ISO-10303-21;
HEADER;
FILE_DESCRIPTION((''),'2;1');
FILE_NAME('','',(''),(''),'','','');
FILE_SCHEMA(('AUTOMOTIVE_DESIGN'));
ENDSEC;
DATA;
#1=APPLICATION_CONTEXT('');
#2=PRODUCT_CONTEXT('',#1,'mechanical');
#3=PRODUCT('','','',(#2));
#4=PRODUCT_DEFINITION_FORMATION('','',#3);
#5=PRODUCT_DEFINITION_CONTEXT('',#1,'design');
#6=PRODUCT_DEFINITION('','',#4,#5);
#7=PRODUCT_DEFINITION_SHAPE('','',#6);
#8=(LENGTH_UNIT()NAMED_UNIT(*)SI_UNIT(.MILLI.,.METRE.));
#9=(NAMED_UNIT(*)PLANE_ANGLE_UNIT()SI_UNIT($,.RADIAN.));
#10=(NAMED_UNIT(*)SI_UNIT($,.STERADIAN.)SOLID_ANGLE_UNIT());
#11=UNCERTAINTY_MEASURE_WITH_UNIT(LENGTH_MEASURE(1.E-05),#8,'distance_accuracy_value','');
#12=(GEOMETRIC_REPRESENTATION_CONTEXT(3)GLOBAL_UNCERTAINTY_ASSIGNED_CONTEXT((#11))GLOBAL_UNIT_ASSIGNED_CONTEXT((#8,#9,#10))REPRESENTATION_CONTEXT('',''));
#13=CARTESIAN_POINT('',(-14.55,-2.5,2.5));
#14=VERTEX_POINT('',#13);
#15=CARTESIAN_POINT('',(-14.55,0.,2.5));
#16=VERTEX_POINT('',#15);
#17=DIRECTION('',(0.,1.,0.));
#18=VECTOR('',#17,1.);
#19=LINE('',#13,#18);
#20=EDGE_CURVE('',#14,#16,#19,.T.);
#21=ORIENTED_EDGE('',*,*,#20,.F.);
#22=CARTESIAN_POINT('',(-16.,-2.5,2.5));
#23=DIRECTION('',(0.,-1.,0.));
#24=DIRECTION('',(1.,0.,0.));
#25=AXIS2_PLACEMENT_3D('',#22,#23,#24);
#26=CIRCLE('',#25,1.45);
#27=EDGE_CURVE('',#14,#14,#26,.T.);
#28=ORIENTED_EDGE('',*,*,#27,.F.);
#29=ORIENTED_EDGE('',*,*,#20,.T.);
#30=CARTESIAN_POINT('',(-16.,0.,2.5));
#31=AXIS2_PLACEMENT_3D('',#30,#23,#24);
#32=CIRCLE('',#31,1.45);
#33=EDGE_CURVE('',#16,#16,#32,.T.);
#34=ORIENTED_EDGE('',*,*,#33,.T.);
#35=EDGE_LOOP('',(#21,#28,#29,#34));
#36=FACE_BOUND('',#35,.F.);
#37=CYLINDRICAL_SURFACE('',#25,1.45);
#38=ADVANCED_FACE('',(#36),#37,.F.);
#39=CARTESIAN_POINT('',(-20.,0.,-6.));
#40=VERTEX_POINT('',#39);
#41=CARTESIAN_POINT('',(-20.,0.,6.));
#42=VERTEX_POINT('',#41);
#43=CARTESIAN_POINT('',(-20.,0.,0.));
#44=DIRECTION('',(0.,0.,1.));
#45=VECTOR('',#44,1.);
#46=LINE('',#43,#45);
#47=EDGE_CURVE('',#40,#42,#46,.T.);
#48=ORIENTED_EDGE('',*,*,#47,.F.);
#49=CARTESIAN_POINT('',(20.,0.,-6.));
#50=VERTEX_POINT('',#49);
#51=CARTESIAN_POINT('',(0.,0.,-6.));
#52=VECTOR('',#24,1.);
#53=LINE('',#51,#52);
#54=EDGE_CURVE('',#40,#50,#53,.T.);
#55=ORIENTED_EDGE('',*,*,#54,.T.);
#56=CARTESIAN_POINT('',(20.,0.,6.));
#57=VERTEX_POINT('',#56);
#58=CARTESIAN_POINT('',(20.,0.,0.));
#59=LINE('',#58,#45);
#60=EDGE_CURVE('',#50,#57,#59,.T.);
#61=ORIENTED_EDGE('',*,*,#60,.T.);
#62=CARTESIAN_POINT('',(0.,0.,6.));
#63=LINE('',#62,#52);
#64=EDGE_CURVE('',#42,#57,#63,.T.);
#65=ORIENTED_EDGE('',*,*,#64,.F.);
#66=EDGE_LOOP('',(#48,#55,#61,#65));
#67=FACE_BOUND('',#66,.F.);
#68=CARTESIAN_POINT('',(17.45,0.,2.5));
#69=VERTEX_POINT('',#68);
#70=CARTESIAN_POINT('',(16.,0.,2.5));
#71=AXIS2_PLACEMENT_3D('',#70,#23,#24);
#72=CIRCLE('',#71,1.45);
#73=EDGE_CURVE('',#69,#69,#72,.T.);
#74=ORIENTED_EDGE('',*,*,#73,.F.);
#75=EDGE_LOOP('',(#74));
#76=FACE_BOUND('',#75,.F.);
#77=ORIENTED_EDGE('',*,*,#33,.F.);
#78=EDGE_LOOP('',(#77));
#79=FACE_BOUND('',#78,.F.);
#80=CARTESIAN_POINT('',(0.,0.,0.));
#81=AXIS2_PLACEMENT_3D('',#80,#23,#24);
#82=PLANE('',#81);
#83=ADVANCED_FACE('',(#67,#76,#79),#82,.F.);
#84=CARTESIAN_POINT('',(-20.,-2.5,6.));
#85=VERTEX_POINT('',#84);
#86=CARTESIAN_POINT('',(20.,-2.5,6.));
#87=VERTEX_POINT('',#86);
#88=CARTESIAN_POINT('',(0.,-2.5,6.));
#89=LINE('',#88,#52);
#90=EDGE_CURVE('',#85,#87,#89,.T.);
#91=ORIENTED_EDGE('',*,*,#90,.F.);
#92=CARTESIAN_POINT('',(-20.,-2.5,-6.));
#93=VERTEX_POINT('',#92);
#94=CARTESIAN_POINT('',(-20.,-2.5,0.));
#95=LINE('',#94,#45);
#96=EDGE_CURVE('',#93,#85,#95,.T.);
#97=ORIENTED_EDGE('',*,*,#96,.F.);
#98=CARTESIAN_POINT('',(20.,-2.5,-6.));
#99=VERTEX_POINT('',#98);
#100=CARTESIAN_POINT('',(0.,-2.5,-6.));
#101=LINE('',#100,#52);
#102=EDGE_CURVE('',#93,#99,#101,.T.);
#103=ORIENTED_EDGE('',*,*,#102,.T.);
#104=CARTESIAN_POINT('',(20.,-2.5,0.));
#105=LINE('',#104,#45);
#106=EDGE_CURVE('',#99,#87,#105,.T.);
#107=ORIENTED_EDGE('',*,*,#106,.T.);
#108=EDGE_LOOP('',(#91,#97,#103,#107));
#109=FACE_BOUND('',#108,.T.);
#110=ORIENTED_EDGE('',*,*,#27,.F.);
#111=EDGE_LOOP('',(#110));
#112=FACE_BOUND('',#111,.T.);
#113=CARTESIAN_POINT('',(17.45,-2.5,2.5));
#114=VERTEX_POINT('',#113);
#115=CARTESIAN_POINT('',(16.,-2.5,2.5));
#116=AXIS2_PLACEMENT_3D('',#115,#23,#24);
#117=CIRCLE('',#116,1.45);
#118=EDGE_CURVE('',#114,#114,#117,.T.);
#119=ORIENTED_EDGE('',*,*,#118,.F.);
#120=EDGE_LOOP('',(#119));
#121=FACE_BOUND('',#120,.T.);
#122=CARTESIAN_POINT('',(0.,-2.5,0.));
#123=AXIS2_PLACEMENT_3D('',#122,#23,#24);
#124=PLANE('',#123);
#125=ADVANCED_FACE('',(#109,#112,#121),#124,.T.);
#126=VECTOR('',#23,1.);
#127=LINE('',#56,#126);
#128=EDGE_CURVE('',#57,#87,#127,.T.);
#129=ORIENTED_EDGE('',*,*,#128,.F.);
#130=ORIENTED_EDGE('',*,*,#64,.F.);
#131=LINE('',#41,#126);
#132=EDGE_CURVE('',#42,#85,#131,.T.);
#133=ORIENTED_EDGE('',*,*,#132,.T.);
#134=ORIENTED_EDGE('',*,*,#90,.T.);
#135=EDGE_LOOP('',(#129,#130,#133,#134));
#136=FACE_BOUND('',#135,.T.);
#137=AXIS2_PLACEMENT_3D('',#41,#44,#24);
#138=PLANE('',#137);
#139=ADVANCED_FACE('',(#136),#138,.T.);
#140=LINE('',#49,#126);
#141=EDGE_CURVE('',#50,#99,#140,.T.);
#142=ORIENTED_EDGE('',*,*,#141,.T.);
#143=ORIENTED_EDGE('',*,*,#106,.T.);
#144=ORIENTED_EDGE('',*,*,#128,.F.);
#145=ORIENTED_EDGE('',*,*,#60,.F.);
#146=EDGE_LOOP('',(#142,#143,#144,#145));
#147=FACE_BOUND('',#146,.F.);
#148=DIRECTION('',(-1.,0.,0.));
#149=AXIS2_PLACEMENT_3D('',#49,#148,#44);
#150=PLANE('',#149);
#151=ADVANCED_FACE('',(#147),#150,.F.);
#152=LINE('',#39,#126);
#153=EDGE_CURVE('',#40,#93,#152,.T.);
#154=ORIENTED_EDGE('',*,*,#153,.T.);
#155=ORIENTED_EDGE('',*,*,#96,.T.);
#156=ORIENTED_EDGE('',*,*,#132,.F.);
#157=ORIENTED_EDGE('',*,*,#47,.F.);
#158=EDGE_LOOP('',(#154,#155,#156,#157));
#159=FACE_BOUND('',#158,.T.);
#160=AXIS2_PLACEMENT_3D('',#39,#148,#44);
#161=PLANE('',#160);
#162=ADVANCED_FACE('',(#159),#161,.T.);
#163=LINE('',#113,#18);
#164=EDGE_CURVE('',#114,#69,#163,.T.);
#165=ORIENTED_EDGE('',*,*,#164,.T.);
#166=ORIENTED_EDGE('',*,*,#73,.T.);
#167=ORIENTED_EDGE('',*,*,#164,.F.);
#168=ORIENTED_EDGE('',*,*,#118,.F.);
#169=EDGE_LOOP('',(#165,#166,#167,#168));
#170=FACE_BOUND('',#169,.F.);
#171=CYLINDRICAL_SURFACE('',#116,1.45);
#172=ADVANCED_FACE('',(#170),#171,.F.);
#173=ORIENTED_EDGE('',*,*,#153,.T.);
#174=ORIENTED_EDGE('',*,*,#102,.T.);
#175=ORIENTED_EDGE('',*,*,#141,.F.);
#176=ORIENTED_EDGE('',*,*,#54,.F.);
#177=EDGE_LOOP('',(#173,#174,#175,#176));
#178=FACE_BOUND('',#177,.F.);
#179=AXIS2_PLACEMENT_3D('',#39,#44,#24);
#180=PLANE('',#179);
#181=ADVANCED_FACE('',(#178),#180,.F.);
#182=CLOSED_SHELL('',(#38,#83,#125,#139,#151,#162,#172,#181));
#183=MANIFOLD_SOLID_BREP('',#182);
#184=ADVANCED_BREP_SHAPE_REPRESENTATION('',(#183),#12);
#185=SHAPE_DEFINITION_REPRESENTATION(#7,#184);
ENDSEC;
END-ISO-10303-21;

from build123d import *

# Parameters (mm, degrees)
F0_W     = 40
F0_H     = 12
F1_DEPTH = 2.5
F2_R     = 1.45
F3_DEPTH = 2.5


with BuildPart() as f1:
    # F0 (on Front) → F1 (new body)
    with BuildSketch(Plane.XZ):
        Rectangle(F0_W, F0_H)
    extrude(amount=F1_DEPTH)

    # F2 (on face) → F3 (cut, through all)
    with BuildSketch(Plane.XZ.offset(2.5)):
        with Locations((-16, 2.5)):
            Circle(F2_R)
        with Locations((16, 2.5)):
            Circle(F2_R)
    extrude(amount=-F3_DEPTH, mode=Mode.SUBTRACT)


solid = f1.part
